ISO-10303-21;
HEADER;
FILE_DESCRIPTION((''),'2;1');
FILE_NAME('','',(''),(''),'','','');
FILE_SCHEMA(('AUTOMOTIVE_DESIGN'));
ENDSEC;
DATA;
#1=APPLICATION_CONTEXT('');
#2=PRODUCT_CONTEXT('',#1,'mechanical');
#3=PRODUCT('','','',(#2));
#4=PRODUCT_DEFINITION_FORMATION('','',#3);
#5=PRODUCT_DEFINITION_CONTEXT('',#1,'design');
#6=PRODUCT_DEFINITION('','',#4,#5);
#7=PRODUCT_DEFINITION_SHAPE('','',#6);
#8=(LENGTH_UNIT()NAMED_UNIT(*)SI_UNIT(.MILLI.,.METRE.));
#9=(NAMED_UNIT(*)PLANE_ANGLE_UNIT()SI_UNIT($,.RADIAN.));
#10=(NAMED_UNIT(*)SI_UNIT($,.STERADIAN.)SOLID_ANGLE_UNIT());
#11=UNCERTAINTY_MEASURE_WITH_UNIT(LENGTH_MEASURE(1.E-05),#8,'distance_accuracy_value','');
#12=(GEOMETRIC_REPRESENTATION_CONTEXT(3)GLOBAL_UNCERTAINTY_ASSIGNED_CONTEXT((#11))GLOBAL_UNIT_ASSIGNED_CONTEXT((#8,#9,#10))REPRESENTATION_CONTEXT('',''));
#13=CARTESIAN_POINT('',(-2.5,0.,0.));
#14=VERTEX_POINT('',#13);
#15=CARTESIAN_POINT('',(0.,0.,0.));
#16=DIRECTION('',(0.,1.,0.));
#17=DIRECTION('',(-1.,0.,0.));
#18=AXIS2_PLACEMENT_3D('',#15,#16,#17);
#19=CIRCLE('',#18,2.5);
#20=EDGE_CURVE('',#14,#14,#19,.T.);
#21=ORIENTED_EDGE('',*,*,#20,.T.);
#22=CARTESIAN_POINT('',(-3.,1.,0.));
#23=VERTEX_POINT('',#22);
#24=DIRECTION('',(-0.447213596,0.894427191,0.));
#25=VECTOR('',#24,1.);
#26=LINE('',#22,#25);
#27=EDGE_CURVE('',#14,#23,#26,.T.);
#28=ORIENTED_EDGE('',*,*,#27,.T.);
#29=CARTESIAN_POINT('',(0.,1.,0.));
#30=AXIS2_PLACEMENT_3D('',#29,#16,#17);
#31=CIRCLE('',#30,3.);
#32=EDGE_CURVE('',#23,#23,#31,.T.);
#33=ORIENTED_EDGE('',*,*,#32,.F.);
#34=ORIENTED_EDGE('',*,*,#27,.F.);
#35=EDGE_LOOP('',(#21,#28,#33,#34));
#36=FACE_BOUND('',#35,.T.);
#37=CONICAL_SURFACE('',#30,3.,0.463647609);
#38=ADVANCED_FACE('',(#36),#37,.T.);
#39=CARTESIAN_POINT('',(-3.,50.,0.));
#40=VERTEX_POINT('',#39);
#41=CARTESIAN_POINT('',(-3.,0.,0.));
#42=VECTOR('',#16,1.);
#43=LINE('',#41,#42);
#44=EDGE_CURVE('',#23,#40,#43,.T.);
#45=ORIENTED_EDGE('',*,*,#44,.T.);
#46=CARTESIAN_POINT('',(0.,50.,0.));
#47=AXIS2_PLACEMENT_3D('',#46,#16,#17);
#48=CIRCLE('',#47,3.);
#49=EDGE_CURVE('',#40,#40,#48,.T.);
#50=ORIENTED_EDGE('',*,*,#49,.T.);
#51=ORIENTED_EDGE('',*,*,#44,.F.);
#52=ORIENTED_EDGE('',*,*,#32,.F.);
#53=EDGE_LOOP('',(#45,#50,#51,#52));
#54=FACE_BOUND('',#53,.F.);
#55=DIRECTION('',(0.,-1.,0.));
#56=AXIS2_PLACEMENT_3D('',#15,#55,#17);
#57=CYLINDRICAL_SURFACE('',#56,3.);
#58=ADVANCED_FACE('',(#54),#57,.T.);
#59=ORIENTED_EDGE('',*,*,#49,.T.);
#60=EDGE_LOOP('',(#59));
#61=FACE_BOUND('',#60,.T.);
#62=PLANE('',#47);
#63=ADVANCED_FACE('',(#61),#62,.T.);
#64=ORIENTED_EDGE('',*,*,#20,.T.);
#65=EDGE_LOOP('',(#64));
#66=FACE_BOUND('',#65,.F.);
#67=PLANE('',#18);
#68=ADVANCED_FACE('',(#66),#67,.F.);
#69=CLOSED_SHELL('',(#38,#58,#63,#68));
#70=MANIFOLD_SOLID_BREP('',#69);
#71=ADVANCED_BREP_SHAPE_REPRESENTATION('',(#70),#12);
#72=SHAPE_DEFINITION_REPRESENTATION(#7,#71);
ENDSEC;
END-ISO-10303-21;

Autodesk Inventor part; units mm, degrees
ref_plane "YZ Plane" through (0, 0, 0) normal (1, 0, 0) x (0, 1, 0)
ref_plane "XZ Plane" through (0, 0, 0) normal (0, 1, 0) x (-1, 0, 0)
ref_plane "XY Plane" through (0, 0, 0) normal (0, 0, 1) x (1, 0, 0)
sketch "Sketch1" plane through (0, 0, 0) normal (0, 1, 0) x (-1, 0, 0)
  circle A0 centre (0, 0) radius 3
  dimension "d0" = 6
extrude "Extrusion1" add sketch "Sketch1" along normal blind 50
chamfer "Chamfer1" distance 0.5 distance2 1 1 edges at (3, 0, 0) measured on face at (0.5351, 0, 1.0949)
properties part number "pin5x60" material "Stainless Steel"
